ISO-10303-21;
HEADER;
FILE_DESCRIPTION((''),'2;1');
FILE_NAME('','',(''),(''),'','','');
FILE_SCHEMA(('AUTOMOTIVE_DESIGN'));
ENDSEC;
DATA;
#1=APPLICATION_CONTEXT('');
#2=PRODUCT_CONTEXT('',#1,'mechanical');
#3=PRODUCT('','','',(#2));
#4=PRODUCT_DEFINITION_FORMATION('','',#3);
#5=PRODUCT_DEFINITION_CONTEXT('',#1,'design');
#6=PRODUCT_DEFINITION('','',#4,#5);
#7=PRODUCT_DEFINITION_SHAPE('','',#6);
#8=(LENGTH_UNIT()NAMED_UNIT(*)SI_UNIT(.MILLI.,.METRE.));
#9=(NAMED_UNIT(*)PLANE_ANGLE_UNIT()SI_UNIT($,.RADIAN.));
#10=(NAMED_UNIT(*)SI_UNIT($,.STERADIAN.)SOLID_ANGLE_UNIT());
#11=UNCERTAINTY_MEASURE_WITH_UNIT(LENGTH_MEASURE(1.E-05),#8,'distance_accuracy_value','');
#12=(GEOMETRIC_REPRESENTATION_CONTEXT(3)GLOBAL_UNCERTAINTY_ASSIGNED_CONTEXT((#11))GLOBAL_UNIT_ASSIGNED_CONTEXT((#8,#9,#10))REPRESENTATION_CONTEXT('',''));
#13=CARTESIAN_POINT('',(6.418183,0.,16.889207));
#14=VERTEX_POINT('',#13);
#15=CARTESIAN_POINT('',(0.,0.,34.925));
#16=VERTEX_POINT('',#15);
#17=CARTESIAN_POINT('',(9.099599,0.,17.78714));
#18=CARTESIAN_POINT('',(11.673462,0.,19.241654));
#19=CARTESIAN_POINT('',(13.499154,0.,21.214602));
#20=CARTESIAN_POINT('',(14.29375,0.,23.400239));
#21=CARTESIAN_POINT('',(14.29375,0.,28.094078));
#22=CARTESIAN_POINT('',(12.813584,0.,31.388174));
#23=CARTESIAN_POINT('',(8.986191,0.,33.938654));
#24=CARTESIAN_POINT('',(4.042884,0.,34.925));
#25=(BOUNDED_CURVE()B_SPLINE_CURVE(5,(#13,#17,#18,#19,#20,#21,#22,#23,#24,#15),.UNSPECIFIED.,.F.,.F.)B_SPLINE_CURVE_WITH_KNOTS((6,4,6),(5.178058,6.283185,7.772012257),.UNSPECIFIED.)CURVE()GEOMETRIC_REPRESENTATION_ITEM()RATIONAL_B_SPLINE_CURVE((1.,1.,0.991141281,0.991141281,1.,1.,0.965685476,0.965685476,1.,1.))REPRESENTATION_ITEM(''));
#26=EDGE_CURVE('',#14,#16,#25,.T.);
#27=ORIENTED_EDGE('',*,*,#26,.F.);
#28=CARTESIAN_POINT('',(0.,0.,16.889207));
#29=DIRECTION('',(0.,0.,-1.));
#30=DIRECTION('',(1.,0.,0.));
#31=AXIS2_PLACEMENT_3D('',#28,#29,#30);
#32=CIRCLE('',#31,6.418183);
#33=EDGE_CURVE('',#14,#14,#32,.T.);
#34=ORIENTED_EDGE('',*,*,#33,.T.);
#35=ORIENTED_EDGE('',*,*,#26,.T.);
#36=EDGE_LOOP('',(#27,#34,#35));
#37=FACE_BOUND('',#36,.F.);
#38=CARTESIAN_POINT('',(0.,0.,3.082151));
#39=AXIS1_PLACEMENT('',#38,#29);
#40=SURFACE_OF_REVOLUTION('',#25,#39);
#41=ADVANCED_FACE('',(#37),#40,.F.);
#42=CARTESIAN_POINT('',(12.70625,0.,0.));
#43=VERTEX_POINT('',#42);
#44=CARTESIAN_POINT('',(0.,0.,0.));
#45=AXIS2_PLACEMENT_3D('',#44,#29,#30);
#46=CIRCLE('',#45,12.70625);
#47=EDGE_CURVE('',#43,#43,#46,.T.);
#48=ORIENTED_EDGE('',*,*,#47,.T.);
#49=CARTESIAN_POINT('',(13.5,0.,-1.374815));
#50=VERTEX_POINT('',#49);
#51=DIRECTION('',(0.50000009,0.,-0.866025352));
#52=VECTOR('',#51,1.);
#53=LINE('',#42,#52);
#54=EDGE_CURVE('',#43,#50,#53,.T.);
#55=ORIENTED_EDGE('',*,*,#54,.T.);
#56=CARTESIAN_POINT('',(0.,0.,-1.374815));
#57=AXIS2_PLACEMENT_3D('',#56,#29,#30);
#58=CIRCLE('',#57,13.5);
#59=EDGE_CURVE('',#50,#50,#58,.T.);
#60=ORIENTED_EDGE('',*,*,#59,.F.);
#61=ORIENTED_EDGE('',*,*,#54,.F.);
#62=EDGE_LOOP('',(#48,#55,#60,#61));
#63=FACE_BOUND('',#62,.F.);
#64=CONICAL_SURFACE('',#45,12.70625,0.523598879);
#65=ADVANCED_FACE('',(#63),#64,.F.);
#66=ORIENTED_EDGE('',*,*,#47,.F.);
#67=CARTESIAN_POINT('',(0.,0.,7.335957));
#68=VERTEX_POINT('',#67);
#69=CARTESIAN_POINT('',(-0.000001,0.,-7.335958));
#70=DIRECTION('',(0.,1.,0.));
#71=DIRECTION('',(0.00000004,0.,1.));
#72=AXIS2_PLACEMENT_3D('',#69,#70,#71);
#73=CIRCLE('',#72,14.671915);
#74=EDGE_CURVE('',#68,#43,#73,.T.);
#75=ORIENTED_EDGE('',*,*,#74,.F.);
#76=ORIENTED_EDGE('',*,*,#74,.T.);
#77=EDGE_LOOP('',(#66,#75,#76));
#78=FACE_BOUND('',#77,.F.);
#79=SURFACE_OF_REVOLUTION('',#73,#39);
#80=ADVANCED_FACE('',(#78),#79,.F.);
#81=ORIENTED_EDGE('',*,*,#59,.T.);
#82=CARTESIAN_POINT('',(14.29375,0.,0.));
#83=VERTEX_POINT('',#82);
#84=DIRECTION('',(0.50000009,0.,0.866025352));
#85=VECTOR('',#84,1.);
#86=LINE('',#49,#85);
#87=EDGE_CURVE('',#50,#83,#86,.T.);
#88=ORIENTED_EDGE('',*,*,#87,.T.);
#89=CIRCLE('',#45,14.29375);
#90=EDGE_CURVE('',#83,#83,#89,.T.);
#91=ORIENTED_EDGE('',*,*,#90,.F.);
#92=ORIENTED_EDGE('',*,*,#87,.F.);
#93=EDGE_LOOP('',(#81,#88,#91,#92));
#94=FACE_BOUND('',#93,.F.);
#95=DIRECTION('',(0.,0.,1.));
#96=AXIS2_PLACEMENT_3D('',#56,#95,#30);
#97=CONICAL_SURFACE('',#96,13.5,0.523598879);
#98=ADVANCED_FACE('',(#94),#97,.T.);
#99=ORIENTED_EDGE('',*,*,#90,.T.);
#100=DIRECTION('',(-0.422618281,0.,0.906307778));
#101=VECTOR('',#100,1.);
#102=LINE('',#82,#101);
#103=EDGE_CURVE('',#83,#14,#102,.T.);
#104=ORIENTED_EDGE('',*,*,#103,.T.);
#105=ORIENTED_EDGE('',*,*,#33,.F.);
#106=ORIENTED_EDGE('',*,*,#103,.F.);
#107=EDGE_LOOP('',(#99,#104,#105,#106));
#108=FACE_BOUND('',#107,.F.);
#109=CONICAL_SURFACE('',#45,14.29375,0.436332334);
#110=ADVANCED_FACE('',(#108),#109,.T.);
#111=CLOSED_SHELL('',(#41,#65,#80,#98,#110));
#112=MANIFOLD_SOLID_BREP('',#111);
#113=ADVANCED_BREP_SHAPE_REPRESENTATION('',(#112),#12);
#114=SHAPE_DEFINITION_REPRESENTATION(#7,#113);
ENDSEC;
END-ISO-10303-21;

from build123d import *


with BuildPart() as f1:
    # F0 (on Front) → F1 (revolve)
    with BuildSketch(Plane.XZ):
        with BuildLine():
            Line((2.449535, 25.4), (0, 25.4))
            Line((0, 25.4), (0, 15.875))
            add(Edge.make_bspline(
                [(0, 15.875), (3.389549, 15.875), (6.418183, 16.889207)],
                knots=[4.712389, 4.712389, 4.712389, 5.178058, 5.178058, 5.178058], degree=2, weights=[1, 0.973016, 1]))
            Line((6.418183, 16.889207), (2.449535, 25.4))
        make_face()
        with BuildLine():
            Line((0, 34.925), (0, 25.4))
            Line((0, 25.4), (2.449535, 25.4))
            Line((2.449535, 25.4), (6.418183, 16.889207))
            add(Edge.make_bspline(
                [(6.418183, 16.889207), (14.29375, 19.526519), (14.29375, 25.4)],
                knots=[5.178058, 5.178058, 5.178058, 6.283185, 6.283185, 6.283185], degree=2, weights=[1, 0.851182, 1]))
            add(Edge.make_bspline(
                [(14.29375, 25.4), (14.29375, 34.925), (0, 34.925)],
                knots=[0, 0, 0, 1.570796, 1.570796, 1.570796], degree=2, weights=[1, 0.707107, 1]))
        make_face()
        with BuildLine():
            add(Edge.make_bspline(
                [(0, 15.875), (3.389549, 15.875), (6.418183, 16.889207)],
                knots=[4.712389, 4.712389, 4.712389, 5.178058, 5.178058, 5.178058], degree=2, weights=[1, 0.973016, 1]))
            Line((0, 15.875), (0, 7.335957))
            ThreePointArc((0, 7.335957), (7.335957, 5.370293), (12.70625, 0))
            Line((12.70625, 0), (13.5, -1.374815))
            Line((13.5, -1.374815), (14.29375, 0))
            Line((14.29375, 0), (6.418183, 16.889207))
        make_face()
    revolve(axis=Axis((0, 0, 3.082151), (0, 0, -1)))


solid = f1.part
